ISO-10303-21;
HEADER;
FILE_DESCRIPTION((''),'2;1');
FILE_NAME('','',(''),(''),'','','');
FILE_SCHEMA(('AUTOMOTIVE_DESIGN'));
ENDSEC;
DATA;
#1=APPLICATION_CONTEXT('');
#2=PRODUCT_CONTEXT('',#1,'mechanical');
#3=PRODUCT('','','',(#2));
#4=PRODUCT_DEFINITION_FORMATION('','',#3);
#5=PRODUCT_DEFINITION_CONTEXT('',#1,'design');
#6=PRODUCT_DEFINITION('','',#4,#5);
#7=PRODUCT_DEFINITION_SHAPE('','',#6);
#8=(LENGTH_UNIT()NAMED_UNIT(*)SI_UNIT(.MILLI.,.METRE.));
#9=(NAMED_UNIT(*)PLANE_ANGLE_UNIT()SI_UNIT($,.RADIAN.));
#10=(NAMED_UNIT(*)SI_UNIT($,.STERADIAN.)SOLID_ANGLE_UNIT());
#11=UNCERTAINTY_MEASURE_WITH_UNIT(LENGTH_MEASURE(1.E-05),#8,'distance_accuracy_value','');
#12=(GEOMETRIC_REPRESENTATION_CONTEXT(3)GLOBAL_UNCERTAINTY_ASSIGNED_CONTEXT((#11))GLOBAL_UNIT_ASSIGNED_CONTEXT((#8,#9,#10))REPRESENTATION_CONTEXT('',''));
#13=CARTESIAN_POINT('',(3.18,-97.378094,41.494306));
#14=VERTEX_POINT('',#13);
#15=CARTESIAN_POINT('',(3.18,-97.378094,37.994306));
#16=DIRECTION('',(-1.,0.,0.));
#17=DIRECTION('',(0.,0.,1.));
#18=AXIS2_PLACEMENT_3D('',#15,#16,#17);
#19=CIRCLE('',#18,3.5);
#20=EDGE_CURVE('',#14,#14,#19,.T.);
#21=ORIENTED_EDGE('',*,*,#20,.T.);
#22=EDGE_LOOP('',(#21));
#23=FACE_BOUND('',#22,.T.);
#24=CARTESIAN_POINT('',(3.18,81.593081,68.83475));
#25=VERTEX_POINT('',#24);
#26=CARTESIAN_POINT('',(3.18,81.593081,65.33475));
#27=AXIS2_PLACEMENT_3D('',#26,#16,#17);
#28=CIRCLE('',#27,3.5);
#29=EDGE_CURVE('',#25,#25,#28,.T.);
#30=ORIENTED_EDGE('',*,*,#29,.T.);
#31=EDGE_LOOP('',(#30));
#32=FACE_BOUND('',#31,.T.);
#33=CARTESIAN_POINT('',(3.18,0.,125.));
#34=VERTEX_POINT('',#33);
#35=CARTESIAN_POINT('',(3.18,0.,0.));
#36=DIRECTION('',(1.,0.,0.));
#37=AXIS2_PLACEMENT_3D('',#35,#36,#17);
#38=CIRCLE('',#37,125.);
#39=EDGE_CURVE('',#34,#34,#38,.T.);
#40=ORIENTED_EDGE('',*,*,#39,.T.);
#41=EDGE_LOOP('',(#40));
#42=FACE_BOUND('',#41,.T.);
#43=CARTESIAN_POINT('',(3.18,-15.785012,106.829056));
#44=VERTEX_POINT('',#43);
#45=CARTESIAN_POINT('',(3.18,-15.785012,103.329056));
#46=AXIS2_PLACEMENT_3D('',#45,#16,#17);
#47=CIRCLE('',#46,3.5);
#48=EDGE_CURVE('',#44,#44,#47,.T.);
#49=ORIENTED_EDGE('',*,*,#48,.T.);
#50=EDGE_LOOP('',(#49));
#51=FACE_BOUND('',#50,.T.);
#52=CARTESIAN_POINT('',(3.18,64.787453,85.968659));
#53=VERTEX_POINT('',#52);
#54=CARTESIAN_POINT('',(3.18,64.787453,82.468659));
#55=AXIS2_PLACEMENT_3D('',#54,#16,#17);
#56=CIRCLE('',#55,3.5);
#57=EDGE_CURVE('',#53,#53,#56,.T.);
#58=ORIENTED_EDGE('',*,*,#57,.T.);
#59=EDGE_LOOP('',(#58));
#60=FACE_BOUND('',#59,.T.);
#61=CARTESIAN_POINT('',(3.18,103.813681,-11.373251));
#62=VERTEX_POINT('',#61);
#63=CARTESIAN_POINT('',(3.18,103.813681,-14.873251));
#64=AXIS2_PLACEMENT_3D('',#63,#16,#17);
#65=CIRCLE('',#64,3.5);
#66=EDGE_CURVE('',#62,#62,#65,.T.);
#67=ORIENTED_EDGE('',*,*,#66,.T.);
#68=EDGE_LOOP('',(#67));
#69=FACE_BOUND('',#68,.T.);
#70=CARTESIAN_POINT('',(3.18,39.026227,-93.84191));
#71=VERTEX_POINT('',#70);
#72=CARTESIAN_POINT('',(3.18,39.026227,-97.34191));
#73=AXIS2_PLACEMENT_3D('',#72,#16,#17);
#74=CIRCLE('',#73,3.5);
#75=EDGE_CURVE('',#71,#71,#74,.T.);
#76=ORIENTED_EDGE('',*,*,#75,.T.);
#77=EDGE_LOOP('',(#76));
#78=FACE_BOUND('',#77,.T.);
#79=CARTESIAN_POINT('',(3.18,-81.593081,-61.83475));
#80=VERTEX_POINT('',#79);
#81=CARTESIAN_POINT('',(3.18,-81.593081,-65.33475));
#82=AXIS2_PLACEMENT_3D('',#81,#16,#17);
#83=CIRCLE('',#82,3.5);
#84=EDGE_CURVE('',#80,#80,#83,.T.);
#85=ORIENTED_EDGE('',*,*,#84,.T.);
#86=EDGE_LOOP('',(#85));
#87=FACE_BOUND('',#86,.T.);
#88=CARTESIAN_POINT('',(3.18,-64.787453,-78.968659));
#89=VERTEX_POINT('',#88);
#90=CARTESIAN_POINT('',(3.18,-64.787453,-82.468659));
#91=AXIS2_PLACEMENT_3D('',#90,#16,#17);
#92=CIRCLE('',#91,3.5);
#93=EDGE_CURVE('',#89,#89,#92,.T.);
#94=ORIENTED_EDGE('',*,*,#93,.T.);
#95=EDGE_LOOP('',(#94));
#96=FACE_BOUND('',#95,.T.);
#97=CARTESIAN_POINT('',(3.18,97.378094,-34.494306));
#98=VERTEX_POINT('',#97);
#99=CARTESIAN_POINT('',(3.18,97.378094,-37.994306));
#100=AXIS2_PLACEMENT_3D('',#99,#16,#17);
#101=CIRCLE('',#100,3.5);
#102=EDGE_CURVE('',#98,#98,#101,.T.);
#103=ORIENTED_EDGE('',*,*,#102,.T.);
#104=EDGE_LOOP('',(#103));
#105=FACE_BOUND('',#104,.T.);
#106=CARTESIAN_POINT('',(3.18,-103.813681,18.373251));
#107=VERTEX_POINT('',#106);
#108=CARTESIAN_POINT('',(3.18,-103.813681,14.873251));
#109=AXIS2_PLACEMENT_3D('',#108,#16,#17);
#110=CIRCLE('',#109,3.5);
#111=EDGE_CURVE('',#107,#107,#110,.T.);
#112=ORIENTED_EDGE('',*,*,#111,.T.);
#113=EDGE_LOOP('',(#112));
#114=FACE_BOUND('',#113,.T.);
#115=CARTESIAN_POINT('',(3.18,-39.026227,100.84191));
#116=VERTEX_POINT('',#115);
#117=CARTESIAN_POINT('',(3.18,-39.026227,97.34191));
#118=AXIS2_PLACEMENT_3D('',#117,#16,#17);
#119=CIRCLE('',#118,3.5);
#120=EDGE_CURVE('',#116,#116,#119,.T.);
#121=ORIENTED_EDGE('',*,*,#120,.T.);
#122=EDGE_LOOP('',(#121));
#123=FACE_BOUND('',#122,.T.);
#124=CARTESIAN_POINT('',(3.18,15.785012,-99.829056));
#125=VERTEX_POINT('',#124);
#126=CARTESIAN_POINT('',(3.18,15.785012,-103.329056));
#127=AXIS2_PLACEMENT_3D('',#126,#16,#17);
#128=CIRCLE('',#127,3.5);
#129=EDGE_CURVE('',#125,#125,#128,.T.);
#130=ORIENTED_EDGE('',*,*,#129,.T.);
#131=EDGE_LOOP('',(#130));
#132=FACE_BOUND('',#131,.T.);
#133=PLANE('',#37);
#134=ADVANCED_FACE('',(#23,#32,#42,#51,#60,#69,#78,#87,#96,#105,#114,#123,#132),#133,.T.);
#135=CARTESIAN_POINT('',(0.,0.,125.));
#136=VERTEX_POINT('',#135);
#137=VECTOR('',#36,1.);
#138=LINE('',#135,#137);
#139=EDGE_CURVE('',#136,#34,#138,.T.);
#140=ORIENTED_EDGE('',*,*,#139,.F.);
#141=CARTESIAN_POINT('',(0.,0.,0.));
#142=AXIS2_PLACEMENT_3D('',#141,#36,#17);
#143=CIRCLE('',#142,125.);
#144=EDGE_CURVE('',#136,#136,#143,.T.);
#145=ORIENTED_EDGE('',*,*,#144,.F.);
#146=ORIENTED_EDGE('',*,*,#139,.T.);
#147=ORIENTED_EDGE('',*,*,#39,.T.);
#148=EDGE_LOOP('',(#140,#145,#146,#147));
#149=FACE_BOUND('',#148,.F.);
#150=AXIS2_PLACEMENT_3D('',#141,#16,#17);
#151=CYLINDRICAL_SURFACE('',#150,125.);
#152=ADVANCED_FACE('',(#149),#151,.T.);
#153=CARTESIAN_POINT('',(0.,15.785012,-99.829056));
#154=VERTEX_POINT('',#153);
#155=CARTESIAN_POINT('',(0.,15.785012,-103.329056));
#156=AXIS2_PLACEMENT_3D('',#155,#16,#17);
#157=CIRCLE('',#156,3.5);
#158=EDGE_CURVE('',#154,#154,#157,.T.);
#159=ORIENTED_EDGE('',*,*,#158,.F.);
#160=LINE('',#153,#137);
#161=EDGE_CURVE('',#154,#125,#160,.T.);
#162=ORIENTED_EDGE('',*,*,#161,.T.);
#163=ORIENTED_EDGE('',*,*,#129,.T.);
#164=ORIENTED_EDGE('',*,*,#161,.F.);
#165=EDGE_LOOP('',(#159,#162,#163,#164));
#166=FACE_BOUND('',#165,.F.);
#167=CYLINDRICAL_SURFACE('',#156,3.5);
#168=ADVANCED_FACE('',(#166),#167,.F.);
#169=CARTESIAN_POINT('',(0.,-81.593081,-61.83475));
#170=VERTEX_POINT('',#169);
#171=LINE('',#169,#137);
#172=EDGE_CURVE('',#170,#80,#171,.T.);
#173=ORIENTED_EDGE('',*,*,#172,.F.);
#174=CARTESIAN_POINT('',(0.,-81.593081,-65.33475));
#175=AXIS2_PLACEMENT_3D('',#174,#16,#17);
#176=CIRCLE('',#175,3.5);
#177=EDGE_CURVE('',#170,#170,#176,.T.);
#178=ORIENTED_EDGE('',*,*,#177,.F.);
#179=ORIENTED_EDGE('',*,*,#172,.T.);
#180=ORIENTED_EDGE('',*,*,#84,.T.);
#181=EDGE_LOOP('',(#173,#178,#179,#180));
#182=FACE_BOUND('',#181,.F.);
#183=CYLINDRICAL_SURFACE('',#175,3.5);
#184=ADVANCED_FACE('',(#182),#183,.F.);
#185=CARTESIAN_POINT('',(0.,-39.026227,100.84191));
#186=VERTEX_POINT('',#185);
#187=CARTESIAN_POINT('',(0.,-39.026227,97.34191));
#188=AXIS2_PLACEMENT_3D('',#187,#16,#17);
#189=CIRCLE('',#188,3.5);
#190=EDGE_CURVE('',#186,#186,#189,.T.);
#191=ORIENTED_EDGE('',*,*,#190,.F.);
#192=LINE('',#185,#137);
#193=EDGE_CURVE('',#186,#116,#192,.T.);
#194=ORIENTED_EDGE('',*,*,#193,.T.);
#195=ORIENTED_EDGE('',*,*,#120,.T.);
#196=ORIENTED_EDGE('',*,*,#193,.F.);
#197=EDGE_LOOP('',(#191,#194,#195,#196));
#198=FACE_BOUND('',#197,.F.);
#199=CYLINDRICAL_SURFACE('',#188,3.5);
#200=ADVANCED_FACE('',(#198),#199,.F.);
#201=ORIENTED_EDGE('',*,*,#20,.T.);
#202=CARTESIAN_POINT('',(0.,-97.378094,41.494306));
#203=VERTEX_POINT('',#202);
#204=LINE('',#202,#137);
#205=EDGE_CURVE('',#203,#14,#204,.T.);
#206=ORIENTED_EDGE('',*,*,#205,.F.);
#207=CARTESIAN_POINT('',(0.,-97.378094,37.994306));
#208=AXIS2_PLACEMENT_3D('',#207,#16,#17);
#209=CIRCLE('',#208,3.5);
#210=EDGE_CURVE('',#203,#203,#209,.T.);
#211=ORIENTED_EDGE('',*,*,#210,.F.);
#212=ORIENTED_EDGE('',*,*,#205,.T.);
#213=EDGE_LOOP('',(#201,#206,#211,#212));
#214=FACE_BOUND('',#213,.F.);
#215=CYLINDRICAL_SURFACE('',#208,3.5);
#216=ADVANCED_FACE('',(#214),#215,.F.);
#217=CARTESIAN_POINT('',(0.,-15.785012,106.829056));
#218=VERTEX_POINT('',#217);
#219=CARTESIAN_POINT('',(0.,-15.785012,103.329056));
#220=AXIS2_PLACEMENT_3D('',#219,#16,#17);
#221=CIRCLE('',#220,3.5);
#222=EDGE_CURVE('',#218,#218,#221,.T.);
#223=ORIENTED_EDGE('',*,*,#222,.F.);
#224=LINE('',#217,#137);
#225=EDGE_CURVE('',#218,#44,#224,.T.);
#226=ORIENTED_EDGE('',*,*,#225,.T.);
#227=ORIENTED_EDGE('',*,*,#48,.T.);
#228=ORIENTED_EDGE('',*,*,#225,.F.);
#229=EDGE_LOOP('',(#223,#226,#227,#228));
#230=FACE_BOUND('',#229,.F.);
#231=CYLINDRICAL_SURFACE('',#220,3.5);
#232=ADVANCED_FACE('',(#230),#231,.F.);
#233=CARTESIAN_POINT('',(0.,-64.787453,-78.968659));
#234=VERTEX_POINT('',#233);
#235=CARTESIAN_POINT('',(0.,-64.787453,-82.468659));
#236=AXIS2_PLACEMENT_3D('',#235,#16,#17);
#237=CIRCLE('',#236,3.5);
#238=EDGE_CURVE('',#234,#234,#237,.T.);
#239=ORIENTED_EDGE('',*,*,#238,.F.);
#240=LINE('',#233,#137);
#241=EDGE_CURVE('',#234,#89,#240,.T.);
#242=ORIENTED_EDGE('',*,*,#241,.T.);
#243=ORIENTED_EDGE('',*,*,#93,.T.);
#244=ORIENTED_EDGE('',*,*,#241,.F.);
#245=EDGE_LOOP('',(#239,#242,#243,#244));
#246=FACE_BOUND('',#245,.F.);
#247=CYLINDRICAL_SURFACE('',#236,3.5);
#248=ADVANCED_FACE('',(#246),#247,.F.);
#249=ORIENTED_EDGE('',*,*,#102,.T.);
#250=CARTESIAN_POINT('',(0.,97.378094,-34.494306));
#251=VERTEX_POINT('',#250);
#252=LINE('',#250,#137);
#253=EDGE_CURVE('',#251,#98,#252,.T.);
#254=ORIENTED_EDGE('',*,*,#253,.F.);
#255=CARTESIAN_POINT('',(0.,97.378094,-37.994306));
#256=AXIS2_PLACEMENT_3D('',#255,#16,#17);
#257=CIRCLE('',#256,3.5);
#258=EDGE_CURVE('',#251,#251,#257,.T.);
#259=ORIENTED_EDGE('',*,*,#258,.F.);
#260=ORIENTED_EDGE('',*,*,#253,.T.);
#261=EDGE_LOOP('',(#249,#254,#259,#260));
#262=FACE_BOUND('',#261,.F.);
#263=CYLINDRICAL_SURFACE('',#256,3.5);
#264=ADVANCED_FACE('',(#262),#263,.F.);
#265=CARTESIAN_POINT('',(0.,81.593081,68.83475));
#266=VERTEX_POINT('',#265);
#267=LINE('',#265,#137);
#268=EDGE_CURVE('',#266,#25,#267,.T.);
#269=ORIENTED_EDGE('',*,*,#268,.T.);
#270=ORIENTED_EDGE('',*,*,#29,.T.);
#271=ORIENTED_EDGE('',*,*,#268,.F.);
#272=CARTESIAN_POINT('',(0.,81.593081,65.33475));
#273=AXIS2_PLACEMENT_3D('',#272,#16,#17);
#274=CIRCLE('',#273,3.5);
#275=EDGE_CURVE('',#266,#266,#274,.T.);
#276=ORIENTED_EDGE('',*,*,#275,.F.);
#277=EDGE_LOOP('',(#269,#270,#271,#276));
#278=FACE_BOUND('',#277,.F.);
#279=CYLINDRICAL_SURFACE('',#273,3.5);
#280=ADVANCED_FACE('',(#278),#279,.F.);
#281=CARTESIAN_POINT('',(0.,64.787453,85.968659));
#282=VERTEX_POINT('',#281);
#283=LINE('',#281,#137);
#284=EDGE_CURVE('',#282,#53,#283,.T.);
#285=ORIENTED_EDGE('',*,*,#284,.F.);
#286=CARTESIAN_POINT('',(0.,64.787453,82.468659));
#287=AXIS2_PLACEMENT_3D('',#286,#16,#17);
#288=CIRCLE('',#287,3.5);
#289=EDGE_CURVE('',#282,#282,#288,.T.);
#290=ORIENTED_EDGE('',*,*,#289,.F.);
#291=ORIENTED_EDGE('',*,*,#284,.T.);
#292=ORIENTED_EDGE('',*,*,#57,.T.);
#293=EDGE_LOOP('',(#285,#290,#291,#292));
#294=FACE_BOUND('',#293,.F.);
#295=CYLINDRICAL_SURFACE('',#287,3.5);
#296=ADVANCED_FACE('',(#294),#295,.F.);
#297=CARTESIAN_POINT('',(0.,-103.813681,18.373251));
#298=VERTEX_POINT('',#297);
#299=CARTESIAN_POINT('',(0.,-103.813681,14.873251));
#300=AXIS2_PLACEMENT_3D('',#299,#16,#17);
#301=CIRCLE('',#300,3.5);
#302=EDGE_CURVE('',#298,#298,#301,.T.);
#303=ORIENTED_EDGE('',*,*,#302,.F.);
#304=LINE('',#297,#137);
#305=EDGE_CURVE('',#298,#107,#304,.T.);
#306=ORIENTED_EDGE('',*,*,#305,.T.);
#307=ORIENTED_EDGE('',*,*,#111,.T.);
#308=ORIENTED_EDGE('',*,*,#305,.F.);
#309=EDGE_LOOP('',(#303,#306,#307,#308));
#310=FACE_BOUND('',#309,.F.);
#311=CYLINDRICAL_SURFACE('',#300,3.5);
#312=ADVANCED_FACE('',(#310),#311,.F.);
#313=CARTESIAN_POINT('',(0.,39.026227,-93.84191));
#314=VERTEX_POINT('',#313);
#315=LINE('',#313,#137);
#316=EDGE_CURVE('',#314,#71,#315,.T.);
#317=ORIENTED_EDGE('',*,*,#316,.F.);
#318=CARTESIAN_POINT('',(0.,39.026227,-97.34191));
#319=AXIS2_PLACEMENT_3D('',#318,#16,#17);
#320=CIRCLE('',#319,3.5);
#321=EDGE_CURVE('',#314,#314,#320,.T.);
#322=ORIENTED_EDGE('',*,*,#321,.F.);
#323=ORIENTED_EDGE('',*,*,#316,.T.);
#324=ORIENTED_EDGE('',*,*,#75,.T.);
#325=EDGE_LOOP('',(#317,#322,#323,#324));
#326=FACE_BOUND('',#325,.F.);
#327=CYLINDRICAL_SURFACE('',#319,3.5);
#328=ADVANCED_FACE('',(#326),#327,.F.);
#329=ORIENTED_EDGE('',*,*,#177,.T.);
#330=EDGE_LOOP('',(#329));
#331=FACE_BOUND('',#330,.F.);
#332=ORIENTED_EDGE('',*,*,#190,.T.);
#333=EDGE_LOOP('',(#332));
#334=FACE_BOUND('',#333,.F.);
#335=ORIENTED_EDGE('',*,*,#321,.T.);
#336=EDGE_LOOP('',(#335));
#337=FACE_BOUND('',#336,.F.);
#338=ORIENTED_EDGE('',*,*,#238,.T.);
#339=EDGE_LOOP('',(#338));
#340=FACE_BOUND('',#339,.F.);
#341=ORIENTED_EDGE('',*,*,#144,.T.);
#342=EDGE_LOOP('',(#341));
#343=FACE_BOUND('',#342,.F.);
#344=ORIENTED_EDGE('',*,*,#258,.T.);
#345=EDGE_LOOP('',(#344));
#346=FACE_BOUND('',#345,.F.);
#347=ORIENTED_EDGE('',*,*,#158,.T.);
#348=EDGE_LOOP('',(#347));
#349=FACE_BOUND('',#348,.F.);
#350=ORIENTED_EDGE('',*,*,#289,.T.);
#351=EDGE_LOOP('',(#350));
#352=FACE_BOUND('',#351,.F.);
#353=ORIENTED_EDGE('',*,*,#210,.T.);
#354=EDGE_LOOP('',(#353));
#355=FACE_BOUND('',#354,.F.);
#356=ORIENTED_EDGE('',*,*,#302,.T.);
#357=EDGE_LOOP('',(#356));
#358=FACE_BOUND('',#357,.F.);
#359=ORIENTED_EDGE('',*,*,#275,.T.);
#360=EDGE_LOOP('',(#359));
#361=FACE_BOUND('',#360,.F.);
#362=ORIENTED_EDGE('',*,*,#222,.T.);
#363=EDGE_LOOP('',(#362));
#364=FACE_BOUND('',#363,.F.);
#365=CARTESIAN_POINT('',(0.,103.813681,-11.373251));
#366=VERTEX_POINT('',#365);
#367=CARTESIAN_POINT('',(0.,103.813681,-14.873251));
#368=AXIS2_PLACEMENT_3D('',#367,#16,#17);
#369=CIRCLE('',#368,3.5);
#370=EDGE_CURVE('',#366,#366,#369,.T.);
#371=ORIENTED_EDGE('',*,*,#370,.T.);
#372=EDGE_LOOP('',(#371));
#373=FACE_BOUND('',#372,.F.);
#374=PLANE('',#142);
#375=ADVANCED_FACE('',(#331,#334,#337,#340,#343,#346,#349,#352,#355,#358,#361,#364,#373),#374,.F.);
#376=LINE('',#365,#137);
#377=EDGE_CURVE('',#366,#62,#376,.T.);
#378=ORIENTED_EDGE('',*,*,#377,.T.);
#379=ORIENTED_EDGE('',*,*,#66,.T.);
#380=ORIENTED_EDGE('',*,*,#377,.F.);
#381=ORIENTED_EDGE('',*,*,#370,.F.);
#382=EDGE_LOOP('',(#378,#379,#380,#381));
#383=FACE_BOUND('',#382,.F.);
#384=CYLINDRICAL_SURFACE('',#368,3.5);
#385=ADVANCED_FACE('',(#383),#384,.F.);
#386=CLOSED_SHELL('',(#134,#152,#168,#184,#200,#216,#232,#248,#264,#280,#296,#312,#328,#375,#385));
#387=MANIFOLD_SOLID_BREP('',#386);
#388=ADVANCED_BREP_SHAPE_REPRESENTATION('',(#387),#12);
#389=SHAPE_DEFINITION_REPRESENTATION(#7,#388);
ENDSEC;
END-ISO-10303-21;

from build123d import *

# Parameters (mm, degrees)
SKETCH2_R           = 125
BOSS_EXTRUDE1_DEPTH = 3.18
SKETCH3_R           = 3.5
CUT_EXTRUDE1_DEPTH  = 177.80529517


with BuildPart() as part:
    # Sketch2 → Boss-Extrude1 (new body)
    with BuildSketch(Plane(origin=(0, 0, 0), x_dir=(0, 0, -1), z_dir=(1, 0, 0))):
        with Locations(Location((0, 0, 0), (0, 0, 180))):
            Circle(SKETCH2_R)
    extrude(amount=BOSS_EXTRUDE1_DEPTH)

    # Sketch3 → Cut-Extrude1 (cut, through all)
    with BuildSketch(Plane.ZY):
        with Locations((103.329056078, -15.785012269)):
            Circle(SKETCH3_R)
        with Locations((97.341910159, -39.026227464)):
            Circle(SKETCH3_R)
        with Locations((14.873250681, -103.813680783)):
            Circle(SKETCH3_R)
        with Locations((37.994306415, -97.378093647)):
            Circle(SKETCH3_R)
        with Locations((-65.334749663, -81.593081378)):
            Circle(SKETCH3_R)
        with Locations((-82.468659478, -64.787453318)):
            Circle(SKETCH3_R)
        with Locations((-97.341910159, 39.026227464)):
            Circle(SKETCH3_R)
        with Locations((-103.329056078, 15.785012269)):
            Circle(SKETCH3_R)
        with Locations((-37.994306415, 97.378093647)):
            Circle(SKETCH3_R)
        with Locations((-14.873250681, 103.813680783)):
            Circle(SKETCH3_R)
        with Locations((65.334749663, 81.593081378)):
            Circle(SKETCH3_R)
        with Locations((82.468659478, 64.787453318)):
            Circle(SKETCH3_R)
    extrude(amount=-CUT_EXTRUDE1_DEPTH, mode=Mode.SUBTRACT)


solid = part.part
